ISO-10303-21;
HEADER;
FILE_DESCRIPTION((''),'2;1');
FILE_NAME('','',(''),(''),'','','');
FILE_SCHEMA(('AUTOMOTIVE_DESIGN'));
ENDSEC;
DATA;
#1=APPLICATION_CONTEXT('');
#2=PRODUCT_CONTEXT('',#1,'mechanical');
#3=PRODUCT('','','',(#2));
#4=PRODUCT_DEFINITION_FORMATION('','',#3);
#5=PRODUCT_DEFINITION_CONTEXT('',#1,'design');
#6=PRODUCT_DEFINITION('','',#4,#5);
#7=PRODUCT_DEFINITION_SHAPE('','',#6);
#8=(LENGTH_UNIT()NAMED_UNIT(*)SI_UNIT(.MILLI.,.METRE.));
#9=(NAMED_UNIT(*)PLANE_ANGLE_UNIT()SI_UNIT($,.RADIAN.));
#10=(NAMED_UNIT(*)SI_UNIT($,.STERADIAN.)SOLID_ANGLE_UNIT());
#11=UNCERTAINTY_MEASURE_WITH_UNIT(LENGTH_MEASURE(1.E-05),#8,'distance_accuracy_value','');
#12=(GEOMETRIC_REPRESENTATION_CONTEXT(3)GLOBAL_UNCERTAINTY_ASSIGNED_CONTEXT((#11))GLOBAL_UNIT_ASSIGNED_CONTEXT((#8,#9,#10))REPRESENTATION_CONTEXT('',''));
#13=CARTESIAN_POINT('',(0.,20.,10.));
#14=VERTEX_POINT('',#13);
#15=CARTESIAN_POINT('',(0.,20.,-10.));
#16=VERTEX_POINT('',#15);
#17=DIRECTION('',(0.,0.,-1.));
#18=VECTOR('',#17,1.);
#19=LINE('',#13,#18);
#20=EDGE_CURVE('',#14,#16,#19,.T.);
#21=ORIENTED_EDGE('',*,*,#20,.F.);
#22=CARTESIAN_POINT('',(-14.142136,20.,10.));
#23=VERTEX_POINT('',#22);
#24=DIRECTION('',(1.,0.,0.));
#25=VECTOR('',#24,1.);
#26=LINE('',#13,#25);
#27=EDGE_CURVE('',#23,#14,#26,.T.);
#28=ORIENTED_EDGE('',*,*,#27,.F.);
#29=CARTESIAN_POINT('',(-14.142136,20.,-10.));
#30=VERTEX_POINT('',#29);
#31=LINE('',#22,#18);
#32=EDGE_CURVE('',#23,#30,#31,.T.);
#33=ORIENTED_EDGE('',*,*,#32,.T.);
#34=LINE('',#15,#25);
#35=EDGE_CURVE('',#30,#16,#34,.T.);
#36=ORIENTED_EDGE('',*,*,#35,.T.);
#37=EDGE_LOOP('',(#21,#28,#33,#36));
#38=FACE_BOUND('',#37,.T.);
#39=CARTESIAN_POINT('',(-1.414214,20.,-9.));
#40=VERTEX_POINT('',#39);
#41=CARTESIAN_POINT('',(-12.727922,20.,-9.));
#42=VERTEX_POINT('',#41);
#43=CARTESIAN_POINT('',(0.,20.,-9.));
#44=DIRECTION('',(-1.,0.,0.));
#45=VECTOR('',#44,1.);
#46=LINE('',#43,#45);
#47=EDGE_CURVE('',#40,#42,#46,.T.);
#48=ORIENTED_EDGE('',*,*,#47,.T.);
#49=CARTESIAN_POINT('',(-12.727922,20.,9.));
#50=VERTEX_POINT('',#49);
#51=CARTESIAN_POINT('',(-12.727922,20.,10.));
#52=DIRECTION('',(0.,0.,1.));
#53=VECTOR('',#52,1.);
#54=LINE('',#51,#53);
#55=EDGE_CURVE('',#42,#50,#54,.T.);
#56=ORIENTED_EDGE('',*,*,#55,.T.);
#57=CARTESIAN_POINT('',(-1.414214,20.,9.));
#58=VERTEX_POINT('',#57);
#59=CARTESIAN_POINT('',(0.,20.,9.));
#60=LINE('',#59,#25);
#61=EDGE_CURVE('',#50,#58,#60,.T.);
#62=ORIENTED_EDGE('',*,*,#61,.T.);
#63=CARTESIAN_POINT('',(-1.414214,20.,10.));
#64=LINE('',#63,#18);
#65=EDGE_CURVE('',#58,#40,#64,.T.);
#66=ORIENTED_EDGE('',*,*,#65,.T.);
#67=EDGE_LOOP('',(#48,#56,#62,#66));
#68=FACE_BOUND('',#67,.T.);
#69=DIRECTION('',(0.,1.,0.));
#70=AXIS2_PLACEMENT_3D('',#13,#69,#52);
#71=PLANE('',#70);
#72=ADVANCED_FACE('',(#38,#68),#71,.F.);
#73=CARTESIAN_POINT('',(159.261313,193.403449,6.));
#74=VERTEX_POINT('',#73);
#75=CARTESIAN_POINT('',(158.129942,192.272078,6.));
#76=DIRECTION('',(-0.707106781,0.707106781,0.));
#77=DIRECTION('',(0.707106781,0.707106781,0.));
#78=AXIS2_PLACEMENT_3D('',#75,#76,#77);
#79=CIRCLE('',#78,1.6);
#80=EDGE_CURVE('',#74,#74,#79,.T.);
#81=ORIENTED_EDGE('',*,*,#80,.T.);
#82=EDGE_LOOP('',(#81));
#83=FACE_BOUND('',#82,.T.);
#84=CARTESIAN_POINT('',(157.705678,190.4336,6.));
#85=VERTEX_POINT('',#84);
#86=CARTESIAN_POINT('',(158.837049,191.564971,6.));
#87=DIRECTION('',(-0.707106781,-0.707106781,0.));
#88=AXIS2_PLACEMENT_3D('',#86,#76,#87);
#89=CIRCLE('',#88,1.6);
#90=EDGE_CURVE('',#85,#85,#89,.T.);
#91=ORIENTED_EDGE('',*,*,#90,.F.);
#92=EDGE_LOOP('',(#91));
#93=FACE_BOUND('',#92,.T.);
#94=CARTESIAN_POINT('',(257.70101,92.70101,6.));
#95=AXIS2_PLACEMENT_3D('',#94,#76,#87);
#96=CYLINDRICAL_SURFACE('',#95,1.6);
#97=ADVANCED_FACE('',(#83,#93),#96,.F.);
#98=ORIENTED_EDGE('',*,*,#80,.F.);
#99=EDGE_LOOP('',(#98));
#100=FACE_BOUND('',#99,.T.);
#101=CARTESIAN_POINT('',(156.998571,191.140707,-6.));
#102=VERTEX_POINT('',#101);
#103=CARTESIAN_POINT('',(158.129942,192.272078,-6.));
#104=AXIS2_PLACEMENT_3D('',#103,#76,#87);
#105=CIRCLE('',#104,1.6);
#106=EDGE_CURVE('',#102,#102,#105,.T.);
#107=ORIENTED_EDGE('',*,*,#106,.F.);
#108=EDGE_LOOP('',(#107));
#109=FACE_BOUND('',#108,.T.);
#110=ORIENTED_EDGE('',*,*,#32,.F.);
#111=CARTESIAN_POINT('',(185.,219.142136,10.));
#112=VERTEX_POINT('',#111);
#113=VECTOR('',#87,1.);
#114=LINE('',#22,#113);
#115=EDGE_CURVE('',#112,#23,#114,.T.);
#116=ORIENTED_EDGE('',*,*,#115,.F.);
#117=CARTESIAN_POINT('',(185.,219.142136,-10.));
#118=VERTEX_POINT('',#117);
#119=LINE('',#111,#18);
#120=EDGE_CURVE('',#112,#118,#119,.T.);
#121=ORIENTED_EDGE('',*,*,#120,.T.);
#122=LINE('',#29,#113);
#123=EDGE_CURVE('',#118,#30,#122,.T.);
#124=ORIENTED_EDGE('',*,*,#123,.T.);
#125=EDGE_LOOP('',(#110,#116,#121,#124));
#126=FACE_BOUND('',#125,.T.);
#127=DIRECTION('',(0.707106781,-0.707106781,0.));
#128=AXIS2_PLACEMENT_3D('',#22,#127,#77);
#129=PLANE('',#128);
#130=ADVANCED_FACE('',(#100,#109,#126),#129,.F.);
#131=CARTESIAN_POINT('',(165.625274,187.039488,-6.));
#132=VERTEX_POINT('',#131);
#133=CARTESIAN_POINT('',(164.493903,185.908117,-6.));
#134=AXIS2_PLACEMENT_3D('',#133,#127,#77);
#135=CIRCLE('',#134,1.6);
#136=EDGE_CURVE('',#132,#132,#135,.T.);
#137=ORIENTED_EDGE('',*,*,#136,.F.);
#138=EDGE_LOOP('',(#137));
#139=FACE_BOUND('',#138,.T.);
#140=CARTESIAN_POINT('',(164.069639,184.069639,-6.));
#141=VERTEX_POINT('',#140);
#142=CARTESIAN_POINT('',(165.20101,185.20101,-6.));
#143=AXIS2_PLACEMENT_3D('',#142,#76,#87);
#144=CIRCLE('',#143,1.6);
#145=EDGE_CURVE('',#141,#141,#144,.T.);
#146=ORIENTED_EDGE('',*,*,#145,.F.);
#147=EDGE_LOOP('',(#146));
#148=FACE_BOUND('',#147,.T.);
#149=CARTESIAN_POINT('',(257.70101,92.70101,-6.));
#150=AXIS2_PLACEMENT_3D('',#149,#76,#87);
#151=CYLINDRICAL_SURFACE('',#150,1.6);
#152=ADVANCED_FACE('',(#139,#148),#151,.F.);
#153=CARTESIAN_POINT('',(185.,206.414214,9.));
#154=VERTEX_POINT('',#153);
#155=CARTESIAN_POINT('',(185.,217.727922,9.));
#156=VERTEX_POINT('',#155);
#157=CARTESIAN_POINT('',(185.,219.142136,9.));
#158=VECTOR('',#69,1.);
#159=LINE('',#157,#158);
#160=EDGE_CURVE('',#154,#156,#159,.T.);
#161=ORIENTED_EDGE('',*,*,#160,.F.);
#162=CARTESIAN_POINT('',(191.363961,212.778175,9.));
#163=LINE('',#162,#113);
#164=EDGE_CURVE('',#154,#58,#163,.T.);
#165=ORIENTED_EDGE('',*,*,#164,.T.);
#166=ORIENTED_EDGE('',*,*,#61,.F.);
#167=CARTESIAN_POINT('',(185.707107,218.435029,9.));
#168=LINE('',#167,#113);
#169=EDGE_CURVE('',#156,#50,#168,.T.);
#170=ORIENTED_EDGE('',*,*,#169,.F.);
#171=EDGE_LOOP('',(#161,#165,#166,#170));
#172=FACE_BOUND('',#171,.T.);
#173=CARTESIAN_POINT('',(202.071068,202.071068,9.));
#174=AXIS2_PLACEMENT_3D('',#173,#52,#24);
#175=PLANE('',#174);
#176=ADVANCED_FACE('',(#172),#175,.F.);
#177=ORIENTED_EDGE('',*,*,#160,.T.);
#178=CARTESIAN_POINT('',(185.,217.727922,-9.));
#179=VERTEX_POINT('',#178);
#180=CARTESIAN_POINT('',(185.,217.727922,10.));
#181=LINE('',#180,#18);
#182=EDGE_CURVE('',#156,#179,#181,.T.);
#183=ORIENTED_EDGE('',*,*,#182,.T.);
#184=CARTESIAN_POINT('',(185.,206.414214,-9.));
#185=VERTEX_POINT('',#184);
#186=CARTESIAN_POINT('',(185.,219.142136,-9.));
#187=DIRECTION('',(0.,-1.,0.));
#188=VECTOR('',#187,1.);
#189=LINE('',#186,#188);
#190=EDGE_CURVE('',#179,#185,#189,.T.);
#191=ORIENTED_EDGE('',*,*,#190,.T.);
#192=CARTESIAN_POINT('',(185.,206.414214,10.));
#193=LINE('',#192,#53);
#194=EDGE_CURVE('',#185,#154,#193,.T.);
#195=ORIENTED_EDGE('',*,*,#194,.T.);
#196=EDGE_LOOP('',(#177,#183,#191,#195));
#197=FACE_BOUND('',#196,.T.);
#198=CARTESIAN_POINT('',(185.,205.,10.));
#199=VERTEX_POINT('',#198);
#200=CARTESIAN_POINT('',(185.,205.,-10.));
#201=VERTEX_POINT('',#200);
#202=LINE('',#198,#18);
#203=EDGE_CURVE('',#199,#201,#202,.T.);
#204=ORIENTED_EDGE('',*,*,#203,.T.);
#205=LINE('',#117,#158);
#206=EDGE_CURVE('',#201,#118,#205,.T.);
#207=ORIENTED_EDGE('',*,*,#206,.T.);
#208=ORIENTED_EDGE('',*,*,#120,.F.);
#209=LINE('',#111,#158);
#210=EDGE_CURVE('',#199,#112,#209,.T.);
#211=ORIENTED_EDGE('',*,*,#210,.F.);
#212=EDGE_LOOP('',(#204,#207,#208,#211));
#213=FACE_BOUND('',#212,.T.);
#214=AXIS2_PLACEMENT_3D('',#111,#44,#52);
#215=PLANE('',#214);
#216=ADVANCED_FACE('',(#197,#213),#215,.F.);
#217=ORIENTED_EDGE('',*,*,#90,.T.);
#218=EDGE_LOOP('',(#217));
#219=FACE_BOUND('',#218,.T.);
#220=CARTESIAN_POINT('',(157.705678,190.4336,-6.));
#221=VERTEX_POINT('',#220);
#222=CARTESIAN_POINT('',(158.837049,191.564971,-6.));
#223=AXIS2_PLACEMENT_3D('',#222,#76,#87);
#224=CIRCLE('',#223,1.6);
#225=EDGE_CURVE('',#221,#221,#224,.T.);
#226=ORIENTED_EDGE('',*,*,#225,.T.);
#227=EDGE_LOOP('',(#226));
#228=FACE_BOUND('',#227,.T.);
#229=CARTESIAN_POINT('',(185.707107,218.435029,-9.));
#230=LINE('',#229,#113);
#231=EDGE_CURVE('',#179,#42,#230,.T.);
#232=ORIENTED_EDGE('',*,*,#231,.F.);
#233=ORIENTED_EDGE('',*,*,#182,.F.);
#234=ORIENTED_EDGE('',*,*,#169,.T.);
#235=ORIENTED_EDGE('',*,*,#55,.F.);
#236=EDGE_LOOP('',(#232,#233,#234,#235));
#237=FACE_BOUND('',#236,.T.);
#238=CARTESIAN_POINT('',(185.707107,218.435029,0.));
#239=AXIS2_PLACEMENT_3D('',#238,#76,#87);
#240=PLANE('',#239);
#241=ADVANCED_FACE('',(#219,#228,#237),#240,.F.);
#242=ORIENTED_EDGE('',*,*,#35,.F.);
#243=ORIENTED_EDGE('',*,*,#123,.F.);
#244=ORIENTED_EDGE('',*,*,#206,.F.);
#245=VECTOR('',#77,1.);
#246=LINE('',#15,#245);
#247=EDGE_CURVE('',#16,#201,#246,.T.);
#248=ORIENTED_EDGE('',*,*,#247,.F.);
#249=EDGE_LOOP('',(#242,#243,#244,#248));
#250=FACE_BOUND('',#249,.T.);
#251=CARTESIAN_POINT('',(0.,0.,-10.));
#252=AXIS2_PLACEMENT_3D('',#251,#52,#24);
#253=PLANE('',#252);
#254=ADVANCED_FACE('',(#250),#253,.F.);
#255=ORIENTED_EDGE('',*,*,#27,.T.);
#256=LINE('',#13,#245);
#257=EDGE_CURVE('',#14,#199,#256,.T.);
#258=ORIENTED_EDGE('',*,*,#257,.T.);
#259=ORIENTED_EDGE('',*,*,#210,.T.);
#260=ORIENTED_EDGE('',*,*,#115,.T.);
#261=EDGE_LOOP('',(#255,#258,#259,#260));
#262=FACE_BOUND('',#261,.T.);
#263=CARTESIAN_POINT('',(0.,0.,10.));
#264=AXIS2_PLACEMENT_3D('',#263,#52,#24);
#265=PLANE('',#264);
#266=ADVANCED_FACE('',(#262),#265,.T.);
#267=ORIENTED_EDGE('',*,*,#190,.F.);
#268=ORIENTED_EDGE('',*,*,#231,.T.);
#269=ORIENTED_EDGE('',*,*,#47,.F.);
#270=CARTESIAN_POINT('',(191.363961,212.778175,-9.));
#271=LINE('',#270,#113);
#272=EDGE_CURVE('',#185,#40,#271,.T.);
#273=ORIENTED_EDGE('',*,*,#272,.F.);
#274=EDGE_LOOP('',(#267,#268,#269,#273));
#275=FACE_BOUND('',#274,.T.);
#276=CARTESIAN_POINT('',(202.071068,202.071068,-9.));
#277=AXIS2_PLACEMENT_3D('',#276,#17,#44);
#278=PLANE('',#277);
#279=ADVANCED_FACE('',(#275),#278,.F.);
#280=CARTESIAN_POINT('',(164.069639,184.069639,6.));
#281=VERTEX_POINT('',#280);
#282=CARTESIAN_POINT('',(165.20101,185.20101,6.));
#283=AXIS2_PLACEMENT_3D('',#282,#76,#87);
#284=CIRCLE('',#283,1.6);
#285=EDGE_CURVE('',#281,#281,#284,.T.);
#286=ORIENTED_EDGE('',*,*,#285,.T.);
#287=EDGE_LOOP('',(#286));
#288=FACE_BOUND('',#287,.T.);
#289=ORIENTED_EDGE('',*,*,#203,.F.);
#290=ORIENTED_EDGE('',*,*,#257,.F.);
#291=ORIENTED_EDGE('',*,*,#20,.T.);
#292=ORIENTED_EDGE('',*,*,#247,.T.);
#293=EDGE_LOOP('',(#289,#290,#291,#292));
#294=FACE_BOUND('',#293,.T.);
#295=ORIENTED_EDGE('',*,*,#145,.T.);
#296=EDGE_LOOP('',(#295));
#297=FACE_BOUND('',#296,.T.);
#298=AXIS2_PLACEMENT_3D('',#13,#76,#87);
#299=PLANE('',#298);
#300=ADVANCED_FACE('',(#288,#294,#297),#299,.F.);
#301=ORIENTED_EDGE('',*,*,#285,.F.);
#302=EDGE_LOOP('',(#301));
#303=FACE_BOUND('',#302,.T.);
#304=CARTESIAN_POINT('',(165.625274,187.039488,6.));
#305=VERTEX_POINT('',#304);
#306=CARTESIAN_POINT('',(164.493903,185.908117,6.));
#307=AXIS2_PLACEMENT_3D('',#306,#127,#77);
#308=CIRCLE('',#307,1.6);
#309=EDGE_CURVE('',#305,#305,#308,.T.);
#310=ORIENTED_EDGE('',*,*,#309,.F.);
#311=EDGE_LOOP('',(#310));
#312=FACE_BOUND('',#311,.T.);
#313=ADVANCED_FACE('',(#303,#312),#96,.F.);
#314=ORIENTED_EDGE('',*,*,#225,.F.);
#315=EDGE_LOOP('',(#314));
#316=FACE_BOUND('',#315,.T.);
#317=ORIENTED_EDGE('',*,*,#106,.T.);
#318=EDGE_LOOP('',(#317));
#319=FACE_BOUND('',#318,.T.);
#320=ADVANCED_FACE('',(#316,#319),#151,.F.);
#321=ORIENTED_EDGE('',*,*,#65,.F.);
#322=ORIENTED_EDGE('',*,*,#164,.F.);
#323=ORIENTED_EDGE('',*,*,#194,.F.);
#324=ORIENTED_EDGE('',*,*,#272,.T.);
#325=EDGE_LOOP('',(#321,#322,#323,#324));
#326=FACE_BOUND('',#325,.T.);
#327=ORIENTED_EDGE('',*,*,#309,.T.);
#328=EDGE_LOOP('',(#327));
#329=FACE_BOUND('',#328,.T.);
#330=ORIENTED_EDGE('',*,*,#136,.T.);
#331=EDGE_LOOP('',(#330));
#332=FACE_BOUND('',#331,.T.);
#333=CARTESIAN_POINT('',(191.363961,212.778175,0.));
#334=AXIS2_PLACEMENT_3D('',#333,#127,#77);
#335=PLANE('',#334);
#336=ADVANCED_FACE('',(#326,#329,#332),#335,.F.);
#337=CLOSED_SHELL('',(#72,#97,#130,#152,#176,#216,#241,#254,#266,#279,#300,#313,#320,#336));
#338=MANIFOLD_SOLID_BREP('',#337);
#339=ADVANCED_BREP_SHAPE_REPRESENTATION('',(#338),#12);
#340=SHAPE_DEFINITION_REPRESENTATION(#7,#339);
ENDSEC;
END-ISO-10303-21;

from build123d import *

# Parameters (mm, degrees)
EXTRUDE_1_DEPTH          = 10
CUT_EXTRUDE_1_DEPTH      = 273.883551892
CUT_EXTRUDE_1_DEPTH_BACK = 273.883551892
SKETCH_2_W               = 18
SKETCH_2_H               = 8
SKETCH_3_R               = 1.6
CUT_EXTRUDE_2_DEPTH      = 286.946556009


with BuildPart() as part:
    # 草图1 → 凸台-拉伸1 (new, symmetric)
    with BuildSketch(Plane.XY):
        Polygon((0, 20), (185, 205), (185, 219.142135624), (-14.142135624, 20), align=None)
    extrude(amount=EXTRUDE_1_DEPTH, both=True)

    # 草图2 → 切除-拉伸1 (cut, two sides: drawn at the far end of the back side and taken through both)
    with BuildSketch(Plane(origin=(10, 10, 0), x_dir=(0, 0, -1), z_dir=(-0.7071067811865462, -0.7071067811865489, 0)).offset(-CUT_EXTRUDE_1_DEPTH_BACK)):
        with Locations((0, -19.142135624)):
            Rectangle(SKETCH_2_W, SKETCH_2_H)
    extrude(amount=CUT_EXTRUDE_1_DEPTH + CUT_EXTRUDE_1_DEPTH_BACK, mode=Mode.SUBTRACT)

    # 草图3 → 切除-拉伸2 (cut, through all)
    with BuildSketch(Plane(origin=(-17.071067812, 17.071067812, 0), x_dir=(0.7071067811865462, 0.707106781186549, 0), z_dir=(-0.707106781186549, 0.7071067811865462, 0))):
        with Locations(Location((247.771644663, 6, 0), (0, 0, 180))):
            Circle(SKETCH_3_R)
        with Locations(Location((247.771644663, -6, 0), (0, 0, 180))):
            Circle(SKETCH_3_R)
    extrude(amount=-CUT_EXTRUDE_2_DEPTH, mode=Mode.SUBTRACT)


solid = part.part
